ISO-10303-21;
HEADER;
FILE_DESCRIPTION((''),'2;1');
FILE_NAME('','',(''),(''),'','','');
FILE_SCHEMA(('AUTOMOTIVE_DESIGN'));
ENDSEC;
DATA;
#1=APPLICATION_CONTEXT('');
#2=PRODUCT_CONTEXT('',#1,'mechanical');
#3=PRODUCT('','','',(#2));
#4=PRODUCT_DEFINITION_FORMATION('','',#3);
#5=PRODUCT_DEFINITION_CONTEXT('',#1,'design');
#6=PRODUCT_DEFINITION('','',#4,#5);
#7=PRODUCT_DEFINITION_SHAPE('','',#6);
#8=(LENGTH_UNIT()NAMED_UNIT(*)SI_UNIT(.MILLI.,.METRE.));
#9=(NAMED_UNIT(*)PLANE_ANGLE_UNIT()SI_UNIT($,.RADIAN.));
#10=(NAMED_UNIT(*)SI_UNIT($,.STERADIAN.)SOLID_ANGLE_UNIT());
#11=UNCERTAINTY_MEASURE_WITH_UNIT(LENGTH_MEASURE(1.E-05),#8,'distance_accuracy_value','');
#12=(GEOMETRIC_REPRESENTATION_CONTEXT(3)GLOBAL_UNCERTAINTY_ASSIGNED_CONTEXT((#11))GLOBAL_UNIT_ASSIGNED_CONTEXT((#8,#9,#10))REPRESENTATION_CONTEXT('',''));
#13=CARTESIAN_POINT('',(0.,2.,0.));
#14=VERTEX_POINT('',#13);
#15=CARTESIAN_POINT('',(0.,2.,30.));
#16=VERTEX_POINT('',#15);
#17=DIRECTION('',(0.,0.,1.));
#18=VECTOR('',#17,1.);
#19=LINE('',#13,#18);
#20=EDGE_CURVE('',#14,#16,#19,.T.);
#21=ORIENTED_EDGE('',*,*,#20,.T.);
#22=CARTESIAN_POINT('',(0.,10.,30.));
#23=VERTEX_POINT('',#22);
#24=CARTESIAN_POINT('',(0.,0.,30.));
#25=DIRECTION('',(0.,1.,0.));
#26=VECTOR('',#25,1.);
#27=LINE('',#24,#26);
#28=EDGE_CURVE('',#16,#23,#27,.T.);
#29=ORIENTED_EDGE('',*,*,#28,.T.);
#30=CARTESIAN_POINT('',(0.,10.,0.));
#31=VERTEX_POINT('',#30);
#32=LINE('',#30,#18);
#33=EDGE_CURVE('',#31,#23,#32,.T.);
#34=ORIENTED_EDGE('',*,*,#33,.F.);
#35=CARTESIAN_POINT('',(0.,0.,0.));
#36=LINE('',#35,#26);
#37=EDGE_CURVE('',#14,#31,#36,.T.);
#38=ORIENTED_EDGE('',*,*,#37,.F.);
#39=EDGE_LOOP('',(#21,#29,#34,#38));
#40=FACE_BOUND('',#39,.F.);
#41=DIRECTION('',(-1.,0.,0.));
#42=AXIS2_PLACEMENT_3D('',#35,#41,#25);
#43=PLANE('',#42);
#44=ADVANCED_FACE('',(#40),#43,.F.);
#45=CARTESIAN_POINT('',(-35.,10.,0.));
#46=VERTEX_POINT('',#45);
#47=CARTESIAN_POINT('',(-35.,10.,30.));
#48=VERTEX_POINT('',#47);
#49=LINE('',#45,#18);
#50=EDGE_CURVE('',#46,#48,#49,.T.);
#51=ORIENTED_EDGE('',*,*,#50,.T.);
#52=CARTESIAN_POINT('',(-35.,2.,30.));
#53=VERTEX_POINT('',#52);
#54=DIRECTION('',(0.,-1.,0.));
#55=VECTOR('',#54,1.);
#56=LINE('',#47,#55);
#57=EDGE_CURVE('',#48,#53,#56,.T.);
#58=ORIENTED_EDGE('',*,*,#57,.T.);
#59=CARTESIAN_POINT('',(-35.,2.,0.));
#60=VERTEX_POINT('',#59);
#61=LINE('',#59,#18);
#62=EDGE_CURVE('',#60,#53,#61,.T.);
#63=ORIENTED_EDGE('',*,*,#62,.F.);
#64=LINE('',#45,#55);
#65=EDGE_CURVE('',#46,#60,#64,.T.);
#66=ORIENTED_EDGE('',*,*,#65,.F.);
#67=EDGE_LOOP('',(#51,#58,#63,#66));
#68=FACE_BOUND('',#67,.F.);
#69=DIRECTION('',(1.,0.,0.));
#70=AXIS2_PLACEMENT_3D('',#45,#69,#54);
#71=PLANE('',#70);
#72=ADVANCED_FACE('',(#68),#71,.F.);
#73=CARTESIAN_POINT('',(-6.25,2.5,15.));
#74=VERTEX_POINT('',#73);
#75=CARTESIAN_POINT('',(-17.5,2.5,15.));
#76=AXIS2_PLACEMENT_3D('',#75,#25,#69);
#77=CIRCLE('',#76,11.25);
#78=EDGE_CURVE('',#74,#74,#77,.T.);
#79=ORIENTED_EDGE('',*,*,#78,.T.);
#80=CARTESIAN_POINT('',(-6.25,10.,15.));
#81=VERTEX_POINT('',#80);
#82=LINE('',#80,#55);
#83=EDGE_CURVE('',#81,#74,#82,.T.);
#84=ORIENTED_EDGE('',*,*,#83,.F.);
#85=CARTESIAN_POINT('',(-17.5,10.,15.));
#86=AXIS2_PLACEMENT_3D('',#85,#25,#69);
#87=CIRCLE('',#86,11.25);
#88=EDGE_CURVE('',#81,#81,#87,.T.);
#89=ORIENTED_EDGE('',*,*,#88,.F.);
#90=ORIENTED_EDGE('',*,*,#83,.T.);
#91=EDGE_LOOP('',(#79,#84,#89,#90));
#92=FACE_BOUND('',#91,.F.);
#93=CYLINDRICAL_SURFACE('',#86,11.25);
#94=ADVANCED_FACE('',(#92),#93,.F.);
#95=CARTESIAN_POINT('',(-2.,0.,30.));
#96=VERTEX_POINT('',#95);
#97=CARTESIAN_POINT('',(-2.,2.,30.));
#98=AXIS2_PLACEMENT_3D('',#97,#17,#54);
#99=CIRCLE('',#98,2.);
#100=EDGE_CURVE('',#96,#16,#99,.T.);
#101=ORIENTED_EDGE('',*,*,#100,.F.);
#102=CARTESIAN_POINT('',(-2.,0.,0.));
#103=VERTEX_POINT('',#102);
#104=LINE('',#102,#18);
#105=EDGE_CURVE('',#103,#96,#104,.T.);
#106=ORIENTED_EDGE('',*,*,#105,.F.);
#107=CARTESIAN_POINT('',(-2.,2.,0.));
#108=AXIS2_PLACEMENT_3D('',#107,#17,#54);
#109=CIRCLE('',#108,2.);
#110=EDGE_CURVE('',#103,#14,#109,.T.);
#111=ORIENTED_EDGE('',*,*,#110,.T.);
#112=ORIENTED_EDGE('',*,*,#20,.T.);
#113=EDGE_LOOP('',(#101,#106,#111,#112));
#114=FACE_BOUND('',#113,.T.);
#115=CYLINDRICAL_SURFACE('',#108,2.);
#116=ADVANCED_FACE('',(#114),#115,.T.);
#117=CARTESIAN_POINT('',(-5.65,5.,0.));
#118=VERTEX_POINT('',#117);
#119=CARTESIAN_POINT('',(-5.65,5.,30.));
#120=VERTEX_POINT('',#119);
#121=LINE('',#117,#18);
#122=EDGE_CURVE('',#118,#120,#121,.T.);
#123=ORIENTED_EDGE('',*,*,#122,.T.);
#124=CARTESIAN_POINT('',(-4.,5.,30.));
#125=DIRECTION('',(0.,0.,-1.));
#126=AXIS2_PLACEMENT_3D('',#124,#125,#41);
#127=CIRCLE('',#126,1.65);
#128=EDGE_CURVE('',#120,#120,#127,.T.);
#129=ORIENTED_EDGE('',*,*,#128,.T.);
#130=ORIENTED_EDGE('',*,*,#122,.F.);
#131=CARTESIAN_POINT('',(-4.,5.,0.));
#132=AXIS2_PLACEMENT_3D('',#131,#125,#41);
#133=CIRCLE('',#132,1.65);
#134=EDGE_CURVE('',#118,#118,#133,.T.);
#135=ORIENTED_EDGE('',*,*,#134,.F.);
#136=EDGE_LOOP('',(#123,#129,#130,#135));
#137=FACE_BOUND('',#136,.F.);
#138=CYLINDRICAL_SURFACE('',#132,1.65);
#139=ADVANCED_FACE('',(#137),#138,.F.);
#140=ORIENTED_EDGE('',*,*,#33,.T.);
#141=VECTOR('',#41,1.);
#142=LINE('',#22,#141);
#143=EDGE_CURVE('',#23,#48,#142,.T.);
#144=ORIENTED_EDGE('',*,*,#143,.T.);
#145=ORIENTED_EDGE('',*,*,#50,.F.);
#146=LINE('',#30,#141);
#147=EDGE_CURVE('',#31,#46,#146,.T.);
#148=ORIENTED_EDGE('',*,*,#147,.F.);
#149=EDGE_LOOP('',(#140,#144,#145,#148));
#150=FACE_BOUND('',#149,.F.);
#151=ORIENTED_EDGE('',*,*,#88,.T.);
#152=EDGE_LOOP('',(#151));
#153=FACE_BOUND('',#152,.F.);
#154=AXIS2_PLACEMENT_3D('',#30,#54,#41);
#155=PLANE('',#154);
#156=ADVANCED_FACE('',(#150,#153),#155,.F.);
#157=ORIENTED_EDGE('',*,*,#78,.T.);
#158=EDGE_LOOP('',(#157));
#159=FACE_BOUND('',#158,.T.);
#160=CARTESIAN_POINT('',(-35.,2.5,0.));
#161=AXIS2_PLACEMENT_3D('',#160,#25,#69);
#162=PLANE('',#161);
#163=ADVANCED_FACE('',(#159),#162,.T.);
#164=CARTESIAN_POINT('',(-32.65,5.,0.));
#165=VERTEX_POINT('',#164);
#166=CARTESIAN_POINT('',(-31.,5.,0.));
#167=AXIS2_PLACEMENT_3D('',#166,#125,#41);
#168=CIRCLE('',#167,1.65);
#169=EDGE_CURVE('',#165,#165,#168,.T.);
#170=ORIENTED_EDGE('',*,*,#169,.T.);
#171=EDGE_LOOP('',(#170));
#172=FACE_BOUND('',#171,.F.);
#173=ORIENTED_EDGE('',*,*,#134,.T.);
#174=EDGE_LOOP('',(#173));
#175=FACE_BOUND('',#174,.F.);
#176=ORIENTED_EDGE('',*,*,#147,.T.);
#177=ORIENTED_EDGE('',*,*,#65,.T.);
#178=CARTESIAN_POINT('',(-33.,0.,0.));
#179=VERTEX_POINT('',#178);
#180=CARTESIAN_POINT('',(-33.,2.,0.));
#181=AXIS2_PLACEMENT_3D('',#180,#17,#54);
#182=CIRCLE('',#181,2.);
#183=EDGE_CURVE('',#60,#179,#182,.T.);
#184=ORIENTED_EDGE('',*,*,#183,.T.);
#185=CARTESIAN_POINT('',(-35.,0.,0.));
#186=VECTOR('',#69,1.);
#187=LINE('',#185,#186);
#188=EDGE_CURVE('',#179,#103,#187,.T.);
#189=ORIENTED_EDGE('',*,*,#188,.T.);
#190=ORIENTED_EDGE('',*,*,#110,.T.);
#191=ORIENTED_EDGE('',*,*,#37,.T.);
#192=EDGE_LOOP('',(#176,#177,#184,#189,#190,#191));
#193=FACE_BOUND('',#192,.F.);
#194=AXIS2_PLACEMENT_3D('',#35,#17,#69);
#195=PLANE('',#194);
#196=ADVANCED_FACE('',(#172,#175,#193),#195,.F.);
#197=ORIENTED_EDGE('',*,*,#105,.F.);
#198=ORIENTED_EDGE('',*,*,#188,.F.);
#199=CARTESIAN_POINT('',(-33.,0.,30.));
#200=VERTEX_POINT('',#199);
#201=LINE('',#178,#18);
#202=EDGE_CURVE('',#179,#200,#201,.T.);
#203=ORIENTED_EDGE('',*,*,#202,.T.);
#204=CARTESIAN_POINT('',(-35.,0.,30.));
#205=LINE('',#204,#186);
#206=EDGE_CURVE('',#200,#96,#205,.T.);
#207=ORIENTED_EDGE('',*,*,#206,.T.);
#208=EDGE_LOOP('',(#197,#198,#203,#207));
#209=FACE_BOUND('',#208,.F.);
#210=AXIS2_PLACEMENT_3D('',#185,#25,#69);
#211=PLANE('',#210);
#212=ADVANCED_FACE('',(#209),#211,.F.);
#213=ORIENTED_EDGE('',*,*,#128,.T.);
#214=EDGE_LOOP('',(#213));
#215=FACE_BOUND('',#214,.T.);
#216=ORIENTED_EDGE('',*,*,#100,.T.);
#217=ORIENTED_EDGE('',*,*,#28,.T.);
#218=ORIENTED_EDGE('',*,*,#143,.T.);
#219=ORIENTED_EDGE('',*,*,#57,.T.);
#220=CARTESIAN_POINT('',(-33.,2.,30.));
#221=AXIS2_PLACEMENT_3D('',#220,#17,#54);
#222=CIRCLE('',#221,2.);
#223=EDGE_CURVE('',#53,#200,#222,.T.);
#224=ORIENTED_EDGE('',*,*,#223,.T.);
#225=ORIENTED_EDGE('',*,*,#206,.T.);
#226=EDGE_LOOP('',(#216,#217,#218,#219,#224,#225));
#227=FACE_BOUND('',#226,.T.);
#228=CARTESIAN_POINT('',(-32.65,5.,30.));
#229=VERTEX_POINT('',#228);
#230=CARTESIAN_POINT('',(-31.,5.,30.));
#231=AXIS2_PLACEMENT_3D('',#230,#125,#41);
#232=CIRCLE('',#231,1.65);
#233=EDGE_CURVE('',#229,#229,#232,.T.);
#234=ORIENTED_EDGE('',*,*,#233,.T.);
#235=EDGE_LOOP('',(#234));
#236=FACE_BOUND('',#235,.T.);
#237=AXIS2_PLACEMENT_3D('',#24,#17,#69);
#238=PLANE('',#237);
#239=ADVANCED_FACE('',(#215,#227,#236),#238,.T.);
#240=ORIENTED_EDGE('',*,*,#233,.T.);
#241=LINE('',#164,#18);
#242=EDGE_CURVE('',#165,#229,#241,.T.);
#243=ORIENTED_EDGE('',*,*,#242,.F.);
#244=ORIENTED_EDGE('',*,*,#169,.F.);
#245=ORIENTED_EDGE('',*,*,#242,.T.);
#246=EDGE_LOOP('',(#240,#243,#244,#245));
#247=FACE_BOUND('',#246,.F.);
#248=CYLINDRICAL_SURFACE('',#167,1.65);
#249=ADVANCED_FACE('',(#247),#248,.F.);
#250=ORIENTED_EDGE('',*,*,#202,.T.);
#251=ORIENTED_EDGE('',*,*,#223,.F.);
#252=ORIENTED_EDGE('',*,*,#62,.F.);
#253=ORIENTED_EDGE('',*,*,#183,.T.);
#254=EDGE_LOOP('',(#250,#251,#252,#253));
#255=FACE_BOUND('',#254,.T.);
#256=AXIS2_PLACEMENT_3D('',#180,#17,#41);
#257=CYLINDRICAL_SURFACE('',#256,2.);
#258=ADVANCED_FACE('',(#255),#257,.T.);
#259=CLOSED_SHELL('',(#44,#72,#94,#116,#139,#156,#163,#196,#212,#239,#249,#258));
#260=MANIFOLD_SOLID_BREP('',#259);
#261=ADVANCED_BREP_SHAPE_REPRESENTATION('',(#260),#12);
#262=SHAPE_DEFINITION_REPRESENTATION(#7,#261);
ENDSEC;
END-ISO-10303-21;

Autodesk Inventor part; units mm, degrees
ref_plane "YZ Plane" through (0, 0, 0) normal (1, 0, 0) x (0, 1, 0)
ref_plane "XZ Plane" through (0, 0, 0) normal (0, 1, 0) x (-1, 0, 0)
ref_plane "XY Plane" through (0, 0, 0) normal (0, 0, 1) x (1, 0, 0)
sketch "Sketch1" plane through (0, 0, 0) normal (0, 0, 1) x (1, 0, 0)
  line L0 (-35, 0) -> (0, 0)
  line L1 (0, 0) -> (0, 10)
  line L2 (0, 10) -> (-35, 10)
  line L3 (-35, 10) -> (-35, 0)
  dimension "d0" = 35
  dimension "d1" = 10
extrude "Extrusion1" add sketch "Sketch1" along normal blind 30
sketch "Sketch2" plane through (-35, 10, 0) normal (0, 1, 0) x (1, 0, 0)
  line L0 (35, -30) -> (0, -30) construction
  line L1 (17.5, -30) -> (17.5, 0) construction
  line L2 (0, 0) -> (35, 0) construction
  circle A0 centre (17.5, -15) radius 11.25
  point P0 (30, -30)
  point P1 (5, -30)
  point P2 (5, 0)
  point P3 (30, 0)
  dimension "d5" = 22.5
extrude "Extrusion2" cut sketch "Sketch2" against normal blind 7.5
sketch "Sketch3" plane through (0, 0, 0) normal (0, 0, -1) x (-1, 0, 0)
  line L0 (0, 10) -> (35, 10) construction
  line L1 (17.5, 10) -> (17.5, 0) construction
  line L2 (30, 0) -> (5, 0) construction
  circle A0 centre (4, 5) radius 1.65
  circle A1 centre (31, 5) radius 1.65
  line L3 (0, 0) -> (0, 10) projected
  line L4 (35, 10) -> (35, 0) projected
  point P0 (5, 10)
  point P1 (30, 10)
  point P2 (17.5, 5)
  point P3 (0, 5)
  point P4 (35, 5)
  dimension "d8" = 3.3
  dimension "d9" = 4
  dimension "d10" = 4
extrude "Extrusion3" cut sketch "Sketch3" against normal through all
fillet "Fillet2" radius 2 2 edges at (-35, 0, 15) (0, 0, 15)
properties part number "servo_pressfit_plate"
